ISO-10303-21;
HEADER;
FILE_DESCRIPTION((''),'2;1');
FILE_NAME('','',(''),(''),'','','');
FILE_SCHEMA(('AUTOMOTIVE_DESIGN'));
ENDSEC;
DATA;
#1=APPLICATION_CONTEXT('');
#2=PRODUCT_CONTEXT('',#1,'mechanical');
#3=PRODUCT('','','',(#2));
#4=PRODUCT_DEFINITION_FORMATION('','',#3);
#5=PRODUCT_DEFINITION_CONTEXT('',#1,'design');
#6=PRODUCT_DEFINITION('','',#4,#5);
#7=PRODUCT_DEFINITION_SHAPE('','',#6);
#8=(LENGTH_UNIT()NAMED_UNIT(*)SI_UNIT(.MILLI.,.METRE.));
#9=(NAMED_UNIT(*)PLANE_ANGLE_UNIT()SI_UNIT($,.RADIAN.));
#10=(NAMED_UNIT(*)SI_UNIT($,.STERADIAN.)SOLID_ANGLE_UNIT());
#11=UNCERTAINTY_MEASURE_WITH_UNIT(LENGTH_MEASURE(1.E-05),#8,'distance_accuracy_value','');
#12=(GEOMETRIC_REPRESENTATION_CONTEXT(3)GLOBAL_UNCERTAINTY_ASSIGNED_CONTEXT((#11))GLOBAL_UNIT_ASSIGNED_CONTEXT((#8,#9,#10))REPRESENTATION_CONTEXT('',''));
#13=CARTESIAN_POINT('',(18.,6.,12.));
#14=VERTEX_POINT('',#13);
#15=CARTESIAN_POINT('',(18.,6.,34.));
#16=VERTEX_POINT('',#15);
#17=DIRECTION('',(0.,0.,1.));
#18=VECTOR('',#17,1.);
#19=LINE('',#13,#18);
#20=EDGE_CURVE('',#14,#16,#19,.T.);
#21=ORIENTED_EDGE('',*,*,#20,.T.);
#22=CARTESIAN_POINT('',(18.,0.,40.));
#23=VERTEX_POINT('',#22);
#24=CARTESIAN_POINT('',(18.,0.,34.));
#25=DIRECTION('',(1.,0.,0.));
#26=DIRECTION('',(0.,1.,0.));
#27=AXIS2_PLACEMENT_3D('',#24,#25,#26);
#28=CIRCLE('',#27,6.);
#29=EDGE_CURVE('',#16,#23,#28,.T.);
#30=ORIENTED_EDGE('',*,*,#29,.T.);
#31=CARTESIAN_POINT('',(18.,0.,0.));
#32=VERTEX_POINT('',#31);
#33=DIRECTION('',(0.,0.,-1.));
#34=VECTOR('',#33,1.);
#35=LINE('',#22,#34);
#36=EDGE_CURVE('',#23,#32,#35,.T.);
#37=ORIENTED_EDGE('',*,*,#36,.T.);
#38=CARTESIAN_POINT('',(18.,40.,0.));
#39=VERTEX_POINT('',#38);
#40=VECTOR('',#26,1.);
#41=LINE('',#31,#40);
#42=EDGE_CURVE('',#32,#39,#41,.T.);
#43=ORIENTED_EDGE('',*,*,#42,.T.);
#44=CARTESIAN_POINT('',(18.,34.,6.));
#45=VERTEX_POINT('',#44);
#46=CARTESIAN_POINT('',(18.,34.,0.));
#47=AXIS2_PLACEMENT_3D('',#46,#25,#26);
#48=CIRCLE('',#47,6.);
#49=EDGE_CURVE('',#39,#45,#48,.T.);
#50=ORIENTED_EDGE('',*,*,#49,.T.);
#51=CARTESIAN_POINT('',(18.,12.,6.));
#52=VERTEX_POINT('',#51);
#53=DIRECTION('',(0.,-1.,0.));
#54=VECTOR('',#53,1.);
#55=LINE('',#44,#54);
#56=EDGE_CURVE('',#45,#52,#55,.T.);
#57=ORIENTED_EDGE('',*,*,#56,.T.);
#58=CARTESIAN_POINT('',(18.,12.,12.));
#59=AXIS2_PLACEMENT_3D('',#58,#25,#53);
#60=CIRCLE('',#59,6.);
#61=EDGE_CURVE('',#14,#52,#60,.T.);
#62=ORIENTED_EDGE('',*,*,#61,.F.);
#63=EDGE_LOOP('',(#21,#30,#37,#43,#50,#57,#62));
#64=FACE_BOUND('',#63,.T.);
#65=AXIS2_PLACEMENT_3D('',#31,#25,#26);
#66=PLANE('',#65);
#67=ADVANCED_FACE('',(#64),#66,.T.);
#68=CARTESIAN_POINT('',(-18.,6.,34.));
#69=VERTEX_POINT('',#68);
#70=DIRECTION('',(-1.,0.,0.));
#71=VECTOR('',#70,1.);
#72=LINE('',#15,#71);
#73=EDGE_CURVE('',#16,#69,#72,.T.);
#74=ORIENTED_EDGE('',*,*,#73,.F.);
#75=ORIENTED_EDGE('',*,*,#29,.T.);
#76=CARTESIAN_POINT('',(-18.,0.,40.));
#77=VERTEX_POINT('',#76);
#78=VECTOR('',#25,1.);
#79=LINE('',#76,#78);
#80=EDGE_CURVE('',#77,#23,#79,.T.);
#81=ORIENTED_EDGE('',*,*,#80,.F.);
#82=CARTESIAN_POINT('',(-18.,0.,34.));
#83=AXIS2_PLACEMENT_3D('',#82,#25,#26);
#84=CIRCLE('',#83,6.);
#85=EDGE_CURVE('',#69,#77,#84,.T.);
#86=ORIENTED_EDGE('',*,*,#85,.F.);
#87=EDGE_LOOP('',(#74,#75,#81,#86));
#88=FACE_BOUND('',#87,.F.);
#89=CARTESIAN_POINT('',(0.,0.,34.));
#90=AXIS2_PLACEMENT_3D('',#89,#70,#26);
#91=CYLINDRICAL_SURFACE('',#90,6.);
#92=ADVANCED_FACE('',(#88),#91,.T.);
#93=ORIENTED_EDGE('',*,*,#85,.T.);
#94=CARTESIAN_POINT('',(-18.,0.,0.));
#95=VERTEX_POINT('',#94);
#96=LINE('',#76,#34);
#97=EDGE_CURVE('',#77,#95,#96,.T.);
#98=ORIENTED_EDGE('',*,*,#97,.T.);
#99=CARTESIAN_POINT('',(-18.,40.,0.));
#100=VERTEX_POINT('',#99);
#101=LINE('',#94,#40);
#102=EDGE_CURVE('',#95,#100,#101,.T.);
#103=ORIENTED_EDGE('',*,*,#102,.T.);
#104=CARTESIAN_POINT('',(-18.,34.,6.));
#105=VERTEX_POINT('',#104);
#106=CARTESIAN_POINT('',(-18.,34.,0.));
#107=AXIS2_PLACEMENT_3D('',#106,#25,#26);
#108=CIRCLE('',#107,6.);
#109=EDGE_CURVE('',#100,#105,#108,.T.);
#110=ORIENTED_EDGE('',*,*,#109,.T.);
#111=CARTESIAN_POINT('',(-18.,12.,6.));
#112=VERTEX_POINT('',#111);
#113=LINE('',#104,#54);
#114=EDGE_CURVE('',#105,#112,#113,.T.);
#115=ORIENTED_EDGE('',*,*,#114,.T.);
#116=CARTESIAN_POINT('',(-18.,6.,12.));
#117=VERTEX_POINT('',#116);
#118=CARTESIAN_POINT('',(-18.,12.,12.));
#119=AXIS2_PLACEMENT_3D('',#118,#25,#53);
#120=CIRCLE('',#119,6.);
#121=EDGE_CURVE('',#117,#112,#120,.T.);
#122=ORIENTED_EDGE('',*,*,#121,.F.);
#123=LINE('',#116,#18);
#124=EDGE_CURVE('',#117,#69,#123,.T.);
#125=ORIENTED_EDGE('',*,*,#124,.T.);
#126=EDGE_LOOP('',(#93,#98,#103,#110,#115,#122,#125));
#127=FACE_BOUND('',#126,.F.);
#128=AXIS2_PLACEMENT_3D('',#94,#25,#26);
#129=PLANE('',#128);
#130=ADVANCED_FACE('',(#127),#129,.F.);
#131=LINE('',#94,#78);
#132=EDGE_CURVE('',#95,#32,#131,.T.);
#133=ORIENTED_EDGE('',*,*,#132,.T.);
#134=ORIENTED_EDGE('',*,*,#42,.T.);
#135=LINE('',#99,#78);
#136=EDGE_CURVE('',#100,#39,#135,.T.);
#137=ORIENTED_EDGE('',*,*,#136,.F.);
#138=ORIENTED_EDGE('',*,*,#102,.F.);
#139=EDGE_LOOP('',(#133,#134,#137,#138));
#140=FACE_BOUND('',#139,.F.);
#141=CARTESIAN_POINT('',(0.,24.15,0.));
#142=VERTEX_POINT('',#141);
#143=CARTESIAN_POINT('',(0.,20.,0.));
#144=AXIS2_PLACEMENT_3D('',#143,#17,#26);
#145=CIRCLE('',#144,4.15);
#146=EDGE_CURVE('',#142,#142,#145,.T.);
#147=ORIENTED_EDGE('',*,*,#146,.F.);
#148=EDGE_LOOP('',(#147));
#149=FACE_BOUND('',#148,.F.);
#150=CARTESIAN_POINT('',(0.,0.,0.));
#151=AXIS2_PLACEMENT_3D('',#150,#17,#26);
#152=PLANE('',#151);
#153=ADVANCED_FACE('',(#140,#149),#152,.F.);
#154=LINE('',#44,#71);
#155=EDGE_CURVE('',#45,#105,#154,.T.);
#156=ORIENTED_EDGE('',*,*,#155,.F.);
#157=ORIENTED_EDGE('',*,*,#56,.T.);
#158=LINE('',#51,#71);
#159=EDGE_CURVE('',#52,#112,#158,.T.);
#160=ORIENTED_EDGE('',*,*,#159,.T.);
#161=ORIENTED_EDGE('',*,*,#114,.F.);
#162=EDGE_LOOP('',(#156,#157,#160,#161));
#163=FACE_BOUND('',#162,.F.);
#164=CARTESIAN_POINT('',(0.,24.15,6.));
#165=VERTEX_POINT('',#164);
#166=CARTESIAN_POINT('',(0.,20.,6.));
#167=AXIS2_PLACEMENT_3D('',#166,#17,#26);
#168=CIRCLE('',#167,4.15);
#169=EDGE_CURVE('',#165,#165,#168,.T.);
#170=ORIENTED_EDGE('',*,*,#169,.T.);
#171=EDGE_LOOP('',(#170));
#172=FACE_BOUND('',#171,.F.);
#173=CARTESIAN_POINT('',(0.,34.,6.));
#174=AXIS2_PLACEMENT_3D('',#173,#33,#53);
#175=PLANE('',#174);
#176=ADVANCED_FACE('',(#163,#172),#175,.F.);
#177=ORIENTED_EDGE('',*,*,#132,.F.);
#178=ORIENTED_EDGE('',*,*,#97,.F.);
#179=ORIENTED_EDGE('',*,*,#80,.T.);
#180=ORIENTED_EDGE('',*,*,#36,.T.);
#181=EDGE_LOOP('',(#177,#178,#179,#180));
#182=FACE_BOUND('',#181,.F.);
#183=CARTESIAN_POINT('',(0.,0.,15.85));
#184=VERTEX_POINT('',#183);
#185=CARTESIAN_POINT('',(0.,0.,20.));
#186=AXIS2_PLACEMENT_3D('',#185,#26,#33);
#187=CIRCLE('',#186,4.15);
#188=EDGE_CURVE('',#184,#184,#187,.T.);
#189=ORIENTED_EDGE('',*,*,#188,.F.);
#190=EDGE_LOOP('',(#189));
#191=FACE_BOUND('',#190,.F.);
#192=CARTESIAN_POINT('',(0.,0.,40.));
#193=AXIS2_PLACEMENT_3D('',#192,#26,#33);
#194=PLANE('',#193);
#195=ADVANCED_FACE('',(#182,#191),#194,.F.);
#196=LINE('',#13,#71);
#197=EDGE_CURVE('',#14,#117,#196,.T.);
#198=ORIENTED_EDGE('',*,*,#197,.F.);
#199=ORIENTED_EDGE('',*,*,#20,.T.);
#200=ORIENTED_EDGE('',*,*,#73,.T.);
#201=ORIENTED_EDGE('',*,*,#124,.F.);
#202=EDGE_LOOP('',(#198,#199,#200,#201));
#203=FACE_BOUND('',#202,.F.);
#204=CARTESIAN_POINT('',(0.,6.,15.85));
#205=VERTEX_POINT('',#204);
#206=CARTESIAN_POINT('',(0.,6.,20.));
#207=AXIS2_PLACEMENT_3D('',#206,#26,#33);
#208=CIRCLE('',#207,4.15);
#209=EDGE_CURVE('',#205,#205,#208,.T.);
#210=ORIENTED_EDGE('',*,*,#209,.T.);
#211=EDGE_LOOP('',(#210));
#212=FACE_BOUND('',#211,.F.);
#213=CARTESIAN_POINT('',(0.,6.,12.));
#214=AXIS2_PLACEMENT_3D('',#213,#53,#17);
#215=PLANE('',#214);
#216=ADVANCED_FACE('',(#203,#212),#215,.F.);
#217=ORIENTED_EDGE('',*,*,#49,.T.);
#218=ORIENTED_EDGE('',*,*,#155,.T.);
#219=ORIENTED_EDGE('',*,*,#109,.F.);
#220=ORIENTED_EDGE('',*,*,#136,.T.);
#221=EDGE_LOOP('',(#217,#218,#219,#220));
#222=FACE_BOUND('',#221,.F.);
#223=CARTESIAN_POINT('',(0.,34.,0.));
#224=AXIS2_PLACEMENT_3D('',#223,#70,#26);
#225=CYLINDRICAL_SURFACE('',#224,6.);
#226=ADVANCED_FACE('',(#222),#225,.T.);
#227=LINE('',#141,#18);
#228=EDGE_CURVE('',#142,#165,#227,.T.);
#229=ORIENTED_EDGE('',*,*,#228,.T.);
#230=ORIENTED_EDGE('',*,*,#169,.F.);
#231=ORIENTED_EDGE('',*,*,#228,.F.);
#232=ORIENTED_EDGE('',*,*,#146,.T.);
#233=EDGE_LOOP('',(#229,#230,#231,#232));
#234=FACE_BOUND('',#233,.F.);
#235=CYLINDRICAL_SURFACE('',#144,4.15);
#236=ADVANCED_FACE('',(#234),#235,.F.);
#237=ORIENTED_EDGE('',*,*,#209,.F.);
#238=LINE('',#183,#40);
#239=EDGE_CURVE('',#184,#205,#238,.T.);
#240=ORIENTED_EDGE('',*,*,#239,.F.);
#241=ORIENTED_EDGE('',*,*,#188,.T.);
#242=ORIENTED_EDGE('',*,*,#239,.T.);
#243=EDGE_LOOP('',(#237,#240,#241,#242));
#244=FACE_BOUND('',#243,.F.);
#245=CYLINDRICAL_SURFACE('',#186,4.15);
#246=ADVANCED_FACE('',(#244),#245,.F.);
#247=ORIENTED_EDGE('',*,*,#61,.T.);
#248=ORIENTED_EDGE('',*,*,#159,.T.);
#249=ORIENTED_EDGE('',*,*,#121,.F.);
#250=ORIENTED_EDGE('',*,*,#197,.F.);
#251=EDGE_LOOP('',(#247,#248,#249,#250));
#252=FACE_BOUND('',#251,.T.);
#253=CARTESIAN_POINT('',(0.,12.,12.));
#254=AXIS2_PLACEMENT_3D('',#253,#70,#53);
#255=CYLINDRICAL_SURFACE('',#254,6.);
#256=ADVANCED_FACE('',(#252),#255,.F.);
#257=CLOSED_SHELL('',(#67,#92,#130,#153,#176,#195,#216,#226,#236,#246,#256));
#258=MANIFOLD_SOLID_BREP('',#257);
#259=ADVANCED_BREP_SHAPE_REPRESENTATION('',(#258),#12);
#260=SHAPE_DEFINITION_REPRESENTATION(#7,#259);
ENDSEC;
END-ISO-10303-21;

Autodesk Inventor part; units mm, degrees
ref_plane "YZ Plane" through (0, 0, 0) normal (1, 0, 0) x (0, 1, 0)
ref_plane "XZ Plane" through (0, 0, 0) normal (0, 1, 0) x (-1, 0, 0)
ref_plane "XY Plane" through (0, 0, 0) normal (0, 0, 1) x (1, 0, 0)
sketch "Sketch_1" plane through (0, 0, 0) normal (1, 0, 0) x (0, 1, 0)
  line L0 (0, 40) -> (0, 0)
  line L1 (0, 0) -> (40, 0)
  arc A0 (40, 0) -> (34, 6) centre (34, 0) ccw
  line L2 (34, 6) -> (12, 6)
  arc A1 (6, 12) -> (12, 6) centre (12, 12) ccw
  line L3 (6, 12) -> (6, 34)
  arc A2 (6, 34) -> (0, 40) centre (0, 34) ccw
extrude "Extrusion1" add sketch "Sketch_1" along normal mid plane 36
sketch "Sketch2" plane through (18, 40, 0) normal (0, 0, -1) x (-1, 0, 0)
  point P0 (18, -20)
hole "Hole1" at (0, 20, 0) direction (0, 0, 1) diameter 8.3 depth 6
sketch "Sketch3" plane through (-18, 0, 0) normal (0, -1, 0) x (1, 0, 0)
  point P0 (18, 20)
hole "Hole2" at (0, 0, 20) direction (0, 1, 0) diameter 8.3 depth 6
properties part number "40-4302 Aluminum"
